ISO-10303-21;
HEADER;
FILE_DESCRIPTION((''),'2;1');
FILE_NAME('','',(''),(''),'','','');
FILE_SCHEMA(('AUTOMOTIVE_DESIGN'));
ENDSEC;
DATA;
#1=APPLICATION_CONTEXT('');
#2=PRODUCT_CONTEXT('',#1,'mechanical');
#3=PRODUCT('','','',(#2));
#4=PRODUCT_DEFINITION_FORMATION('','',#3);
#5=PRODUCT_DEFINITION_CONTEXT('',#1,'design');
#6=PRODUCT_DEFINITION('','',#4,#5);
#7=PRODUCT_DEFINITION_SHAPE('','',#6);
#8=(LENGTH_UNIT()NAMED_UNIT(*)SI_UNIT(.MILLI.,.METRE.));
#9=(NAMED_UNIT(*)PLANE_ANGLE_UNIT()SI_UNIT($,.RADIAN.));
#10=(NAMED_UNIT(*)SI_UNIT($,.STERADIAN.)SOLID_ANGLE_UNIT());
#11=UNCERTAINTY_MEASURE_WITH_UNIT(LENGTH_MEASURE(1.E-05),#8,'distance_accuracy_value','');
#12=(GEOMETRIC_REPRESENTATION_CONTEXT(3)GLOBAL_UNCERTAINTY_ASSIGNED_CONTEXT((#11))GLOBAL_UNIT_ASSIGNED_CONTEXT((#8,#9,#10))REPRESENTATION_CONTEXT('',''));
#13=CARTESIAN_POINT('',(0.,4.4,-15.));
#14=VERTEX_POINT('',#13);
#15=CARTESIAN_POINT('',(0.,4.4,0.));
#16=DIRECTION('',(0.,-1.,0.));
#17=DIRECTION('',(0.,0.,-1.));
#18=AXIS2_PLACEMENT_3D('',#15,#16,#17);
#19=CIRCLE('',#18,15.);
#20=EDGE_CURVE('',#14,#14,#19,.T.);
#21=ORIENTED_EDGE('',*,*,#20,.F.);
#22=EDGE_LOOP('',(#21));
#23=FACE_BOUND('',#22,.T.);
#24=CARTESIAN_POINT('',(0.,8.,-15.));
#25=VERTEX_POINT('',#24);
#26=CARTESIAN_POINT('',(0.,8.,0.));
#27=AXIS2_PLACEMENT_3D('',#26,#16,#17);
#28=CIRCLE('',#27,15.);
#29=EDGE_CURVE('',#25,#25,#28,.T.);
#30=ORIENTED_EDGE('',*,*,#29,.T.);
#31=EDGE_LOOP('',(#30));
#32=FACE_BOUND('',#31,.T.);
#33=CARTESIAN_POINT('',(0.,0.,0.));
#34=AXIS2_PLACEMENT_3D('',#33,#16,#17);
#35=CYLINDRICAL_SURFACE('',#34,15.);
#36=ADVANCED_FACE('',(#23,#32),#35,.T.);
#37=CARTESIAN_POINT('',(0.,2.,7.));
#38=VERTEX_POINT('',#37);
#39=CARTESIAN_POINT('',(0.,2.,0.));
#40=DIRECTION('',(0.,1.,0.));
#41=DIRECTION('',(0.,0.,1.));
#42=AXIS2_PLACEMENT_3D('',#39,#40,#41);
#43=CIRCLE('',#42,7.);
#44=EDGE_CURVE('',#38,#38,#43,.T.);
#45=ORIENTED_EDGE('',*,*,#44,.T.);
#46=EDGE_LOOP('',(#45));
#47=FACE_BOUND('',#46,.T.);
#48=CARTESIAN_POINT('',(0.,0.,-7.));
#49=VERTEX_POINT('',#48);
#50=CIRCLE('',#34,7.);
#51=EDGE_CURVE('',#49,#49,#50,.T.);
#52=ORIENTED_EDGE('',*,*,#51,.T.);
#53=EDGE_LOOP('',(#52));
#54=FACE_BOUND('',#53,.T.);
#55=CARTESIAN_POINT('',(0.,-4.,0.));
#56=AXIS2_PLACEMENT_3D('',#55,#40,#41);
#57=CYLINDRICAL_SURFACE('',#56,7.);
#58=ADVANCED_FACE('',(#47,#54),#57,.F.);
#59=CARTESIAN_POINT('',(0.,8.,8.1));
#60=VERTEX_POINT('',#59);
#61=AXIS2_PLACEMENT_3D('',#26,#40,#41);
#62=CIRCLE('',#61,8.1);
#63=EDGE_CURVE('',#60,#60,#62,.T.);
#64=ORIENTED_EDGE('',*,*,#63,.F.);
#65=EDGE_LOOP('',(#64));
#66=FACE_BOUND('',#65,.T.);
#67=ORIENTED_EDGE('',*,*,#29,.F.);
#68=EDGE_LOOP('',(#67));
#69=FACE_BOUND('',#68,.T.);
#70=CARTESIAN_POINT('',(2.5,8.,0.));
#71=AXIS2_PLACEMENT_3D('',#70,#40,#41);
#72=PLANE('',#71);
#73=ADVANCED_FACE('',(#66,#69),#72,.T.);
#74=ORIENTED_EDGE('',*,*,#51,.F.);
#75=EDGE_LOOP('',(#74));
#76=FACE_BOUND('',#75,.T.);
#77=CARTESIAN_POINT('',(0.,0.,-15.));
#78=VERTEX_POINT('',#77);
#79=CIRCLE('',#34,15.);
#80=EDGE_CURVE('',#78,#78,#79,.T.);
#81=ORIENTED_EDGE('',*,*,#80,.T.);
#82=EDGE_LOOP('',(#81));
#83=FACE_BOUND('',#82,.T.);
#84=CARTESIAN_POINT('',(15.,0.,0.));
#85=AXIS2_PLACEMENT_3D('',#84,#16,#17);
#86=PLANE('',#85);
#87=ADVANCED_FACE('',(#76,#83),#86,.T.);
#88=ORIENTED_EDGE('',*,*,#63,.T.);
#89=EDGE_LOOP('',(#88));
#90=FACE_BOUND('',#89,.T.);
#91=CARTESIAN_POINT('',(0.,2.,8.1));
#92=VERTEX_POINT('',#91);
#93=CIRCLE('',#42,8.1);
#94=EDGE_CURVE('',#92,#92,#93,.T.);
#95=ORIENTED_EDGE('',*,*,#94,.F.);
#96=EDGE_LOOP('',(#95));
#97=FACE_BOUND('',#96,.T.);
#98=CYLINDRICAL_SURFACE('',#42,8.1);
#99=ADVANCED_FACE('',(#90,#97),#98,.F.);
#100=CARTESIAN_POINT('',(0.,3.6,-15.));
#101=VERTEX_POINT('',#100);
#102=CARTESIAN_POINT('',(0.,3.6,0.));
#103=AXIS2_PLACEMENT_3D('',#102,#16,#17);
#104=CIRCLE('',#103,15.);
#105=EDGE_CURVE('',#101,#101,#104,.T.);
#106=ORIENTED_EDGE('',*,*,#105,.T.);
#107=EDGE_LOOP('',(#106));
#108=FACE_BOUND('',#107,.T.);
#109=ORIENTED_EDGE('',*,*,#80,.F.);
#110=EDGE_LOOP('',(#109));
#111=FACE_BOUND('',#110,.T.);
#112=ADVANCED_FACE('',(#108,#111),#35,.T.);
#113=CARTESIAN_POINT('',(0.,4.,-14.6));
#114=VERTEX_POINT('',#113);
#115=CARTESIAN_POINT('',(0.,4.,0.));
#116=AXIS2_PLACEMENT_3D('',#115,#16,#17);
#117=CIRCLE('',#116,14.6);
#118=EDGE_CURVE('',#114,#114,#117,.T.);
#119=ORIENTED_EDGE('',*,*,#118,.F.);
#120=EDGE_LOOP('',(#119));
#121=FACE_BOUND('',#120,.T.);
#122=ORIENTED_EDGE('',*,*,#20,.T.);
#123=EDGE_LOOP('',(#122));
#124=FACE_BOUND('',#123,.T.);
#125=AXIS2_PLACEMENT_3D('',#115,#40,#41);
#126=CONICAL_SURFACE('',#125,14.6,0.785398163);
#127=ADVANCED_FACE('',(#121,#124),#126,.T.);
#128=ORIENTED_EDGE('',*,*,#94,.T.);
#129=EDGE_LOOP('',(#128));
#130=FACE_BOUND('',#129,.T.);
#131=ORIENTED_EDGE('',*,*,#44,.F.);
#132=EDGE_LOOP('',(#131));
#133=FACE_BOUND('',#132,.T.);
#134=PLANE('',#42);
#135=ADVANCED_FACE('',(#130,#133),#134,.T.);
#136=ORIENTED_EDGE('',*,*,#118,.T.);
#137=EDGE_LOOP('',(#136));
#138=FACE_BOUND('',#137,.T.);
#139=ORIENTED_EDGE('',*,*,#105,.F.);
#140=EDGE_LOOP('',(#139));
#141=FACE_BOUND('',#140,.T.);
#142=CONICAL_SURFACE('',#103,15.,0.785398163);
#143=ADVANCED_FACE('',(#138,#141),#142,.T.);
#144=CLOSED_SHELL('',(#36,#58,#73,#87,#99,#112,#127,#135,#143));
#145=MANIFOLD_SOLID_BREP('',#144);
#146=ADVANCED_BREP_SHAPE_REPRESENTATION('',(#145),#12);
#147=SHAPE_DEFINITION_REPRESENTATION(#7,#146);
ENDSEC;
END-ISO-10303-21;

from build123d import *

# Parameters (mm, degrees)
SKETCH2_R          = 8.1
CUT_EXTRUDE1_DEPTH = 6
SKETCH3_R          = 7
CUT_EXTRUDE2_DEPTH = 6


with BuildPart() as part:
    # Sketch1 → Revolve1 (revolve)
    with BuildSketch(Plane.XY, mode=Mode.PRIVATE) as revolve1_sk:
        Polygon((2.5, 8), (15, 8), (15, 4.4), (14.6, 4), (15, 3.6), (15, 0), (2.5, 0), align=None)
    revolve(revolve1_sk.sketch.rotate(Axis((0, 0, 0), (0, 1, 0)), 90), axis=Axis((0, 0, 0), (0, 1, 0)))

    # Sketch2 → Cut-Extrude1 (cut)
    with BuildSketch(Plane(origin=(0, 8, 0), x_dir=(1, 0, 0), z_dir=(0, 1, 0))):
        with Locations(Location((0, 0, 0), (0, 0, 270))):
            Circle(SKETCH2_R)
    extrude(amount=-CUT_EXTRUDE1_DEPTH, mode=Mode.SUBTRACT)

    # Sketch3 → Cut-Extrude2 (cut)
    with BuildSketch(Plane(origin=(0, 2, 0), x_dir=(1, 0, 0), z_dir=(0, 1, 0))):
        with Locations(Location((0, 0, 0), (0, 0, 270))):
            Circle(SKETCH3_R)
    extrude(amount=-CUT_EXTRUDE2_DEPTH, mode=Mode.SUBTRACT)


solid = part.part
